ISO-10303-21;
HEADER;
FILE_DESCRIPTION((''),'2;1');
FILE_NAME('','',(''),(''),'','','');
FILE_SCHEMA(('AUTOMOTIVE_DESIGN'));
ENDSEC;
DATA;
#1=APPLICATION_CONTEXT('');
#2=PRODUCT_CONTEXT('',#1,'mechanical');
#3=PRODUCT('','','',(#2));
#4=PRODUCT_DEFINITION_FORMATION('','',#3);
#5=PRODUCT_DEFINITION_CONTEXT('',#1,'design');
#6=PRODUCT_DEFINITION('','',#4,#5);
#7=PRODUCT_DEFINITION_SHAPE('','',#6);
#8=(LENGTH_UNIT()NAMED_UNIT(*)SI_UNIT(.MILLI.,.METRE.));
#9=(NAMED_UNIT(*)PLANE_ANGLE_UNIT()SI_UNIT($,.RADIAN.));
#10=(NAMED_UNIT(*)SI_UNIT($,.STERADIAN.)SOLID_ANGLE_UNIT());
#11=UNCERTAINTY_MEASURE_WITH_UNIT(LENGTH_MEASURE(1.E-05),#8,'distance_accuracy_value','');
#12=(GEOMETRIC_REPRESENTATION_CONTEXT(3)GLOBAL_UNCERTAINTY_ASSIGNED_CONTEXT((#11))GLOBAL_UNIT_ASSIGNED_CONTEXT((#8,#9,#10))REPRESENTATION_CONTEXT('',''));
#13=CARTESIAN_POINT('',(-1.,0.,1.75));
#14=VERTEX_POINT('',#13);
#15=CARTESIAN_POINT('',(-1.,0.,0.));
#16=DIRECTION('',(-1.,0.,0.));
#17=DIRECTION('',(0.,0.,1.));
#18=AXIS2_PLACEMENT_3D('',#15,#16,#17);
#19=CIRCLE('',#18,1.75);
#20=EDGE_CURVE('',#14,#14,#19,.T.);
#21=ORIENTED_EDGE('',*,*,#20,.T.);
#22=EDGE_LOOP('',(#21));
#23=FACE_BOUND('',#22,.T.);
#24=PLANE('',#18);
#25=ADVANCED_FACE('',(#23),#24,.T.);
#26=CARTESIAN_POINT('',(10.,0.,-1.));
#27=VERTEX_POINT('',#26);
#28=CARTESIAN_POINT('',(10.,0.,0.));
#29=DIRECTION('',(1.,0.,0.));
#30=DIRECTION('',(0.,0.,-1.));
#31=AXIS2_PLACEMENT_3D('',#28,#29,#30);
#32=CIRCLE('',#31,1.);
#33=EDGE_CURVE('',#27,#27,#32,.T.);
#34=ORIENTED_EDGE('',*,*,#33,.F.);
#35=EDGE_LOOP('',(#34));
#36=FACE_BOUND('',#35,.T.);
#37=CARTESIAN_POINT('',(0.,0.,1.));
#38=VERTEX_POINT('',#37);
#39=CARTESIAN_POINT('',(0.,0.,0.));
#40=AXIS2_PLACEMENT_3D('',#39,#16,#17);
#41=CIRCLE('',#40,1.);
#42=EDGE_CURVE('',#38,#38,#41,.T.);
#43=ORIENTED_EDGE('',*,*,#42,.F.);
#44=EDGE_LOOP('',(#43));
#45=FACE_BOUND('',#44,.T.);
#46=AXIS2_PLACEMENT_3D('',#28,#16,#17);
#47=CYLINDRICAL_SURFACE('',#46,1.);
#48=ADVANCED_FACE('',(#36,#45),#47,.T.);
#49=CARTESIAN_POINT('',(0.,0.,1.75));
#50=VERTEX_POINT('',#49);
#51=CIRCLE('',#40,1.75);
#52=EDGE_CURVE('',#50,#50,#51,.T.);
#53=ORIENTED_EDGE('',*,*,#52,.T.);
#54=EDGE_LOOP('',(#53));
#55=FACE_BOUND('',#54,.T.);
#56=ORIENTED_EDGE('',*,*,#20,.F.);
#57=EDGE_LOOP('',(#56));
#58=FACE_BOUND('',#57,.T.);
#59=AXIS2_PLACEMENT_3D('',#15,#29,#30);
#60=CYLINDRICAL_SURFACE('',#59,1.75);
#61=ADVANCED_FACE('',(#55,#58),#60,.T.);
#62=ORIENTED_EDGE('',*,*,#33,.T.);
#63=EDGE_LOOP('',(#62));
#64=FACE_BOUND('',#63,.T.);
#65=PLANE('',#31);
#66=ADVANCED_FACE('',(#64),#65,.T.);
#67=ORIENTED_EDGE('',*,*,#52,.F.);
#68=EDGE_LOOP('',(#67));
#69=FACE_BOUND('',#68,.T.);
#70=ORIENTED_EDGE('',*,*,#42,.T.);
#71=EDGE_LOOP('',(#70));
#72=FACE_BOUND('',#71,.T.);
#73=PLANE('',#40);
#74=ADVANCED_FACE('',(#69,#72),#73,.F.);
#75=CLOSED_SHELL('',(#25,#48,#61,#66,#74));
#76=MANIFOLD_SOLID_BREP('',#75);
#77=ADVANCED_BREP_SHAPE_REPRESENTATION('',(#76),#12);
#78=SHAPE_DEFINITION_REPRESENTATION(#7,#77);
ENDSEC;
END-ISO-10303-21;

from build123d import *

# Parameters (mm, degrees)
SKETCH_1_R      = 1
EXTRUDE_1_DEPTH = 10
SKETCH_2_R      = 1.75
EXTRUDE_2_DEPTH = 1


with BuildPart() as part:
    # 草图1 → 凸台-拉伸1 (new body)
    with BuildSketch(Plane(origin=(0, 0, 0), x_dir=(0, 0, -1), z_dir=(1, 0, 0))):
        Circle(SKETCH_1_R)
    extrude(amount=EXTRUDE_1_DEPTH)

    # 草图2 → 凸台-拉伸2 (add)
    with BuildSketch(Plane.ZY):
        Circle(SKETCH_2_R)
    extrude(amount=EXTRUDE_2_DEPTH)


solid = part.part
